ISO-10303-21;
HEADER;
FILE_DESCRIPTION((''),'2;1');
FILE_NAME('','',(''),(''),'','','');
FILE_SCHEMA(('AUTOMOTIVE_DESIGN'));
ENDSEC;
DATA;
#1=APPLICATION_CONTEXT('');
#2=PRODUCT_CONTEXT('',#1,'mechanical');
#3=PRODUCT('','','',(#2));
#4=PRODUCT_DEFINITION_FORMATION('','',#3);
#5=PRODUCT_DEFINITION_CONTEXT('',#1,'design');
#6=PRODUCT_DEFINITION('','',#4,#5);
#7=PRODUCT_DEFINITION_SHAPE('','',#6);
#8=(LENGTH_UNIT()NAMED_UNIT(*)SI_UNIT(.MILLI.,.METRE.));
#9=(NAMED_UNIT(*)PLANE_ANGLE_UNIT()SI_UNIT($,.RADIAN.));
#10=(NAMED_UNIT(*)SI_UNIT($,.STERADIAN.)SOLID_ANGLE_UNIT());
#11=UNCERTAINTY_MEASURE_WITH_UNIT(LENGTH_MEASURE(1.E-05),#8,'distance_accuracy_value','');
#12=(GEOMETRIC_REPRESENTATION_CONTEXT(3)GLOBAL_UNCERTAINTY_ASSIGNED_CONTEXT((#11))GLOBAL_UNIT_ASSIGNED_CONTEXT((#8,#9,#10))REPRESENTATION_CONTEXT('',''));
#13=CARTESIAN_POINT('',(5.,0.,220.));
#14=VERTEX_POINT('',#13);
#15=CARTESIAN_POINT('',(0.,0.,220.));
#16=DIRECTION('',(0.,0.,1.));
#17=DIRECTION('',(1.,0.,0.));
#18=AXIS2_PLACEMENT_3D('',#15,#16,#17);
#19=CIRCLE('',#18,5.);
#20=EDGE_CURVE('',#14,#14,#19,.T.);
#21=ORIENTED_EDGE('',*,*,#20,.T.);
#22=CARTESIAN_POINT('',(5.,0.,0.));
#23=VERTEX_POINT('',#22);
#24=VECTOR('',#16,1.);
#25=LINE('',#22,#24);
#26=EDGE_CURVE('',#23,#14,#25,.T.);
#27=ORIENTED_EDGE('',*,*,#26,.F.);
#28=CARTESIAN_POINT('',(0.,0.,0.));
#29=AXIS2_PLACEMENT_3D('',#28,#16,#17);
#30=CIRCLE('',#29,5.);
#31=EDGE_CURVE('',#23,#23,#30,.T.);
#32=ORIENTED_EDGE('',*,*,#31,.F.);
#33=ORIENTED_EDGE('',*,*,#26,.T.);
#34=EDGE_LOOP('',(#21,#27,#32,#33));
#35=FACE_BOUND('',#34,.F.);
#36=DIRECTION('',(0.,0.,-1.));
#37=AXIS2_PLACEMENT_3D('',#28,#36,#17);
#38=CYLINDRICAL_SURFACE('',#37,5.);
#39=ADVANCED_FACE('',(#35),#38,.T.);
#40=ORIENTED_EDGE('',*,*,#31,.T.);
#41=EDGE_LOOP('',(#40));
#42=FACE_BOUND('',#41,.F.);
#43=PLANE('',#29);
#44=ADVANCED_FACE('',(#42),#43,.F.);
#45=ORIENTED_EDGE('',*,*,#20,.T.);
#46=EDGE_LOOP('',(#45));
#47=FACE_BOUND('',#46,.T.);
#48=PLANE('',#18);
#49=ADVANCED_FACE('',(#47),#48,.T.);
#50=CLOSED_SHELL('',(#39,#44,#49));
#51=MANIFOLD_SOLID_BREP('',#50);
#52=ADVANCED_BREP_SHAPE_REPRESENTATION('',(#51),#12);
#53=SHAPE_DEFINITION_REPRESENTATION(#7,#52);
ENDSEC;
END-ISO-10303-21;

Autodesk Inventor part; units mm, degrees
ref_plane "YZ Plane" through (0, 0, 0) normal (1, 0, 0) x (0, 1, 0)
ref_plane "XZ Plane" through (0, 0, 0) normal (0, 1, 0) x (-1, 0, 0)
ref_plane "XY Plane" through (0, 0, 0) normal (0, 0, 1) x (1, 0, 0)
sketch "スケッチ1" plane through (0, 0, 0) normal (0, 0, 1) x (1, 0, 0)
  circle A0 centre (0, 0) radius 5
  dimension "d0" = 10
extrude "押し出し1" add sketch "スケッチ1" along normal blind 220
properties part number "shaft_idler_ver.1"
